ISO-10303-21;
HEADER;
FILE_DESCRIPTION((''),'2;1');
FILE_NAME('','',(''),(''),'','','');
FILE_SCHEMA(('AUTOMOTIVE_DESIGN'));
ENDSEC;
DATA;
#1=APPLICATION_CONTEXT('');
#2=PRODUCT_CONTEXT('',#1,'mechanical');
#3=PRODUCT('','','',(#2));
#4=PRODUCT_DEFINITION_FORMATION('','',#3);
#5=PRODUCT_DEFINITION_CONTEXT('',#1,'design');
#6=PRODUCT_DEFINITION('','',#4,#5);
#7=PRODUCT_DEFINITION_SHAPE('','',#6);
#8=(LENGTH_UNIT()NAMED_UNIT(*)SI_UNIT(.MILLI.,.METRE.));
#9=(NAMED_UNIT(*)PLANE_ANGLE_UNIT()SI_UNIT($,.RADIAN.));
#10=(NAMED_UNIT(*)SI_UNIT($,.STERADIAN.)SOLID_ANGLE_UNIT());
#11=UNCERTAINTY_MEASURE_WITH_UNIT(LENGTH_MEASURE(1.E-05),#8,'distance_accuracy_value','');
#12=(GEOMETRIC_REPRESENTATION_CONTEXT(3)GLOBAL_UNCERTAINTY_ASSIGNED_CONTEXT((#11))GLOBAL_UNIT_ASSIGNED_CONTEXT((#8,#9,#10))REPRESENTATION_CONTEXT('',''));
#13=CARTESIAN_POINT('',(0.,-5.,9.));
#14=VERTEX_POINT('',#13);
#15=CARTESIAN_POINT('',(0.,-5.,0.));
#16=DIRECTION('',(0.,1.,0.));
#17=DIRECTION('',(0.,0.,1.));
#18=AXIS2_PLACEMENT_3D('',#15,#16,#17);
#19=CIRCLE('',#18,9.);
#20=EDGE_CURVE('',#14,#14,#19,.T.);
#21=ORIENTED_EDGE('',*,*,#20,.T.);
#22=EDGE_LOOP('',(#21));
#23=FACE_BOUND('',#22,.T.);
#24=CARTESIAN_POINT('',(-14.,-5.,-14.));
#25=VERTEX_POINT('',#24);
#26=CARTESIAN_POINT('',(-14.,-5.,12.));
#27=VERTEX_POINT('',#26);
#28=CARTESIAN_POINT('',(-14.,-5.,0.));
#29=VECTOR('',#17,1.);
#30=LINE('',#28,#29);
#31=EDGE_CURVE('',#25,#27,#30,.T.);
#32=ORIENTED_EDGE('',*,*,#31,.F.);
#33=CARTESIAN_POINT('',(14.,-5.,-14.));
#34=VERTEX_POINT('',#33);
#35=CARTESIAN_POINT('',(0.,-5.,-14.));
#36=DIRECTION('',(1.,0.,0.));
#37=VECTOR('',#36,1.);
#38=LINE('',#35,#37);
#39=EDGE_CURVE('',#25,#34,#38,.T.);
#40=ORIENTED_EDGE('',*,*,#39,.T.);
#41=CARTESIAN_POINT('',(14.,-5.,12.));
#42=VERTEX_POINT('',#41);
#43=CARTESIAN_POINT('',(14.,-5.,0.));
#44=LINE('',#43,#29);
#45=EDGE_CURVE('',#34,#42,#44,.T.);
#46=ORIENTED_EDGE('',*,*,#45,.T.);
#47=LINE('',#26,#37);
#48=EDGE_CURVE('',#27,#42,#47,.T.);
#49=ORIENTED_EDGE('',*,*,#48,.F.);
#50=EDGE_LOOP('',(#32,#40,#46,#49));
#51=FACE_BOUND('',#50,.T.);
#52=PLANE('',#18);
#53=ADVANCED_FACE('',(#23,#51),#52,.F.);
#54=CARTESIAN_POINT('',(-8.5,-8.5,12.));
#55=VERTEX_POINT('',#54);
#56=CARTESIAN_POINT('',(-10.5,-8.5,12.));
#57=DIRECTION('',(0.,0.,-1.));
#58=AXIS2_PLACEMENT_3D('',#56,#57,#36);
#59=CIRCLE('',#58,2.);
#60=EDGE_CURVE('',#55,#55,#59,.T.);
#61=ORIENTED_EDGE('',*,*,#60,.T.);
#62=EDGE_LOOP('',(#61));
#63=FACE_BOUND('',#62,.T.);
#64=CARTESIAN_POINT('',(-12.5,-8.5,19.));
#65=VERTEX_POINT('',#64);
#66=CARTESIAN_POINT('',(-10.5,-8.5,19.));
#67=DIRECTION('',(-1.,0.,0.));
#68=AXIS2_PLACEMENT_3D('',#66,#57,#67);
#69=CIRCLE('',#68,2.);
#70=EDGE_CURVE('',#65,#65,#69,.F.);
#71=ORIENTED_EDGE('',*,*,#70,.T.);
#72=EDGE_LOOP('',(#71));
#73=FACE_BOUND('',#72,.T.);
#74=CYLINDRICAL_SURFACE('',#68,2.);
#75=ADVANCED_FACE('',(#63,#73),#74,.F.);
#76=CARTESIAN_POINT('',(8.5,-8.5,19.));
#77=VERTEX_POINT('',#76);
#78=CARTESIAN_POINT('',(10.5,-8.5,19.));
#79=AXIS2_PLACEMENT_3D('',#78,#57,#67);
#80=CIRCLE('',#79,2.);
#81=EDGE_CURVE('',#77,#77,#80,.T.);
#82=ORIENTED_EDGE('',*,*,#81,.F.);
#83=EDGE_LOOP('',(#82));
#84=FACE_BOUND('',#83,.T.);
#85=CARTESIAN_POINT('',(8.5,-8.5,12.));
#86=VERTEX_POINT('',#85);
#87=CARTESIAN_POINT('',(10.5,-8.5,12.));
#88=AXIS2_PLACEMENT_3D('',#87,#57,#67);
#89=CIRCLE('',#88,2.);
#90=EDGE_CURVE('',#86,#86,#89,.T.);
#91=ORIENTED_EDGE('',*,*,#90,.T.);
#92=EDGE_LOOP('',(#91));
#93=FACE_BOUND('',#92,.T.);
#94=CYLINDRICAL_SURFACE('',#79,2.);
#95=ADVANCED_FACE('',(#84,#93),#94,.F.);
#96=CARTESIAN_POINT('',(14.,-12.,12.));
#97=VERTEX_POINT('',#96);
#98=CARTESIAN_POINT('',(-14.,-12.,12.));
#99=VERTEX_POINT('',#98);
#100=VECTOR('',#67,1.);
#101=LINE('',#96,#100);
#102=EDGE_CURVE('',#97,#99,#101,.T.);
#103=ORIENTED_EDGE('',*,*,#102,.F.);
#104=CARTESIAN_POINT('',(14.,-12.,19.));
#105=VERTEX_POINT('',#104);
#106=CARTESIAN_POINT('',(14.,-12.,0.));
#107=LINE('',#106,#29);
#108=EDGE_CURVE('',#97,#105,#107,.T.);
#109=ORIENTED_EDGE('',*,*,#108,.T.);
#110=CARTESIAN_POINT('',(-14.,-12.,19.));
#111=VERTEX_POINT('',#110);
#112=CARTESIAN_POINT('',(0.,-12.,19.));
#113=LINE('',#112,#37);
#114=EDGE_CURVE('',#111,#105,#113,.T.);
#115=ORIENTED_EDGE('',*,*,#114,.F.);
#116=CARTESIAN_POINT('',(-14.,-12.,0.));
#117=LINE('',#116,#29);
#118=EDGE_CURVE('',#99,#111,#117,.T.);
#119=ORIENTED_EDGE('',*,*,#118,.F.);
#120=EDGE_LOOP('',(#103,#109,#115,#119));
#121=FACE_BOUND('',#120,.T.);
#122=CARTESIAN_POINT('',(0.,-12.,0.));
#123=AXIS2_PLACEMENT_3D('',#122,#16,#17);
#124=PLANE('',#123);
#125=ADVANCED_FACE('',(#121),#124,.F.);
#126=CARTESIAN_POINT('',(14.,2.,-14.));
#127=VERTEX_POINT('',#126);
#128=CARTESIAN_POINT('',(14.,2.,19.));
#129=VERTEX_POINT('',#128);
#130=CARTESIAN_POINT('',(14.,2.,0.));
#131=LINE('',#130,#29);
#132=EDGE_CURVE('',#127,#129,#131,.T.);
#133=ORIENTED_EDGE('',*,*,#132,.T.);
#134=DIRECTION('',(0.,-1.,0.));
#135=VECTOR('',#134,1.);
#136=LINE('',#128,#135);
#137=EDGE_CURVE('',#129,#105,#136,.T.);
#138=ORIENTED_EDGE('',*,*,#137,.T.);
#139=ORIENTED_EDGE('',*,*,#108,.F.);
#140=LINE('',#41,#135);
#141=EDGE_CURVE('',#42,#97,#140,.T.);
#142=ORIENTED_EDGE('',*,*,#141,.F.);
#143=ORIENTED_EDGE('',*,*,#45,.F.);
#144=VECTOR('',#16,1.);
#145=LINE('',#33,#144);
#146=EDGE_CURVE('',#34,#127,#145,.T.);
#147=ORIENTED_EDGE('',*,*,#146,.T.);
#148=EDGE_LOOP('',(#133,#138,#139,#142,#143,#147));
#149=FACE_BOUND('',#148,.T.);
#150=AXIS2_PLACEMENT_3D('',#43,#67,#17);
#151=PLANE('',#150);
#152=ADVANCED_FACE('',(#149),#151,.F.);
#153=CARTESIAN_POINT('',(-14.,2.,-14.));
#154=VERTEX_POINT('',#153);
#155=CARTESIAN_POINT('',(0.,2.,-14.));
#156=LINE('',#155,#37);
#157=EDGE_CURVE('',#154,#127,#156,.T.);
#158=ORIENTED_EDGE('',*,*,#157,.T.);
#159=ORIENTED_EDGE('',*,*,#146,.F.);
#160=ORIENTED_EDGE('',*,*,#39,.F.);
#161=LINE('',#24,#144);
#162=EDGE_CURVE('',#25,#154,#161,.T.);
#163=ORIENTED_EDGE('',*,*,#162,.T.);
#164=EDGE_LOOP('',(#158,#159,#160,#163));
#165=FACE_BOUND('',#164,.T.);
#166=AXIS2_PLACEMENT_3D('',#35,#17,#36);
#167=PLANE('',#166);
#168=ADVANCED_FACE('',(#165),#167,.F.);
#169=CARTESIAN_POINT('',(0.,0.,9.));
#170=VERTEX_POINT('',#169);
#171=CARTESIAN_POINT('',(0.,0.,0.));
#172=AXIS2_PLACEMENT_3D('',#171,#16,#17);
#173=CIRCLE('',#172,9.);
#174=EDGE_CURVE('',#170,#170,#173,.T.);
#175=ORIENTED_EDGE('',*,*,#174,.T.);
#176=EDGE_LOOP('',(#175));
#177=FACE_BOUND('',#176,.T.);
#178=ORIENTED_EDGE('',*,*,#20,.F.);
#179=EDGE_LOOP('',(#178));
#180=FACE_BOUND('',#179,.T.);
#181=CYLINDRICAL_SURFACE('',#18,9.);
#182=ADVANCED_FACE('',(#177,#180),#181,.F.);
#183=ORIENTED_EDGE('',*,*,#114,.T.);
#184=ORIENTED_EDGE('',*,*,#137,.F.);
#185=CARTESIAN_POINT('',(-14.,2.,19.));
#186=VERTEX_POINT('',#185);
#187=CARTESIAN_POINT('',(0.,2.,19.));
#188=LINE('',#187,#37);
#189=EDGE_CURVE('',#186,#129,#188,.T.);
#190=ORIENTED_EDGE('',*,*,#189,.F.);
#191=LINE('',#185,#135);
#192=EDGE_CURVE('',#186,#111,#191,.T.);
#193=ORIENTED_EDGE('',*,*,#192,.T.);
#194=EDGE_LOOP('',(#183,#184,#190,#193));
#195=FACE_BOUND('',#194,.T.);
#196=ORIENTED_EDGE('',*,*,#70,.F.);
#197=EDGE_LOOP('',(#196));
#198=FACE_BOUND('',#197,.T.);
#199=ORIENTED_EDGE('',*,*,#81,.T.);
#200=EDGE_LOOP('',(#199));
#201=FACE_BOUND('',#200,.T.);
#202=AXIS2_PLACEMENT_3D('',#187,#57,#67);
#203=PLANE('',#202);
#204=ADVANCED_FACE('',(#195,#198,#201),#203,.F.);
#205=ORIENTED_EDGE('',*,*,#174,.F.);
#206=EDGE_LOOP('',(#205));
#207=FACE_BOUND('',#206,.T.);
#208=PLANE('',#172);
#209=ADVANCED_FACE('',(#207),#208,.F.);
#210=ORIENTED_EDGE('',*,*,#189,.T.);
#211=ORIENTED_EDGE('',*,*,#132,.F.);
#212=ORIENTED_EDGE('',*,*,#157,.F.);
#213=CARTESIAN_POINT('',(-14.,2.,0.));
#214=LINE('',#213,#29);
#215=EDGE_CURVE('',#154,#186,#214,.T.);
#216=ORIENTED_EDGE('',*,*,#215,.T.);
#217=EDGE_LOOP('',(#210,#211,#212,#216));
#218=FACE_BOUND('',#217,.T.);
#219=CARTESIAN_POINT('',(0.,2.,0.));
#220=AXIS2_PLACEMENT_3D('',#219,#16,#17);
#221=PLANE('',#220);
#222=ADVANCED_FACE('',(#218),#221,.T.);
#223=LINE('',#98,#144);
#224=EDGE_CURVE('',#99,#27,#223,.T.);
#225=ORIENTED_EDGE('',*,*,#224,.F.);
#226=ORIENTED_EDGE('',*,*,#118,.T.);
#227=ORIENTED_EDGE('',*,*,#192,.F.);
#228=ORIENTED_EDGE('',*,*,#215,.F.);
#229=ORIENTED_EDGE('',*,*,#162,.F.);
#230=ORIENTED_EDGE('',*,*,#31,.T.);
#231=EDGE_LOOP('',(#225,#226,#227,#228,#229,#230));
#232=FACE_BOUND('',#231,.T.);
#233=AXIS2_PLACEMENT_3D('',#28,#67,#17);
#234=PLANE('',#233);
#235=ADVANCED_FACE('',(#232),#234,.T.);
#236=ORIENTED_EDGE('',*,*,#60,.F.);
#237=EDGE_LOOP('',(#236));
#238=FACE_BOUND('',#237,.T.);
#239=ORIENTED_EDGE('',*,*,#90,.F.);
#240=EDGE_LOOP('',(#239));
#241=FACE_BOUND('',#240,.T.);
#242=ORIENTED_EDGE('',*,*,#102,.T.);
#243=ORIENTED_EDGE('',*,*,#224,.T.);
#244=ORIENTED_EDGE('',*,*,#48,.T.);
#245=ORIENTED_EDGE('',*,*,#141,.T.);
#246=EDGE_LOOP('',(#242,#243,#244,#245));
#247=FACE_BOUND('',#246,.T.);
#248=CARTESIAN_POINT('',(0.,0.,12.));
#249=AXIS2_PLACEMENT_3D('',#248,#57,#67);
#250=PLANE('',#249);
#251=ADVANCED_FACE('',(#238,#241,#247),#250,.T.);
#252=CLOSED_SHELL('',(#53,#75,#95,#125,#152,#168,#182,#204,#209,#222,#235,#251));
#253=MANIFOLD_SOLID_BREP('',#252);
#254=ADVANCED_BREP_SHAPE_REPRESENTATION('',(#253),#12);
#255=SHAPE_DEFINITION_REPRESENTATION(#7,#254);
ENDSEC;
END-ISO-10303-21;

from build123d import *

# Parameters (mm, degrees)
SKETCH1_W           = 28
SKETCH1_H           = 28
SKETCH1_R           = 9
BOSS_EXTRUDE3_DEPTH = 5
SKETCH1_4_W         = 28
SKETCH1_4_H         = 33
BOSS_EXTRUDE4_DEPTH = 2
SKETCH1_5_W         = 28
SKETCH1_5_H         = 5
BOSS_EXTRUDE5_DEPTH = 12
SKETCH2_R           = 2
CUT_EXTRUDE1_DEPTH  = 34.526109228
BOSS_EXTRUDE6_START = 2
SKETCH2_3_W         = 28
SKETCH2_3_H         = 7
SKETCH2_3_R         = 2
BOSS_EXTRUDE6_DEPTH = 2


with BuildPart() as part:
    # Sketch1 → Boss-Extrude3 (new body)
    with BuildSketch(Plane(origin=(0, 0, 0), x_dir=(1, 0, 0), z_dir=(0, 1, 0))):
        Rectangle(SKETCH1_W, SKETCH1_H)
        Circle(SKETCH1_R, mode=Mode.SUBTRACT)
    extrude(amount=-BOSS_EXTRUDE3_DEPTH)

    # Sketch1<4> → Boss-Extrude4 (add)
    with BuildSketch(Plane(origin=(0, 0, 0), x_dir=(1, 0, 0), z_dir=(0, 1, 0))):
        with Locations((0, -2.5)):
            Rectangle(SKETCH1_4_W, SKETCH1_4_H)
    extrude(amount=BOSS_EXTRUDE4_DEPTH)

    # Sketch1<5> → Boss-Extrude5 (add)
    with BuildSketch(Plane(origin=(0, 0, 0), x_dir=(1, 0, 0), z_dir=(0, 1, 0))):
        with Locations((0, -16.5)):
            Rectangle(SKETCH1_5_W, SKETCH1_5_H)
    extrude(amount=-BOSS_EXTRUDE5_DEPTH)

    # Sketch2 → Cut-Extrude1 (cut, through all)
    with BuildSketch(Plane(origin=(0, 0, 14), x_dir=(-1, 0, 0), z_dir=(0, 0, -1))):
        with Locations((-10.5, -8.5)):
            Circle(SKETCH2_R)
        with Locations((10.5, -8.5)):
            Circle(SKETCH2_R)
    extrude(amount=-CUT_EXTRUDE1_DEPTH, mode=Mode.SUBTRACT)

    # Sketch2<3> → Boss-Extrude6 (add)
    with BuildSketch(Plane(origin=(0, 0, 14), x_dir=(-1, 0, 0), z_dir=(0, 0, -1)).offset(BOSS_EXTRUDE6_START)):
        with Locations((0, -8.5)):
            Rectangle(SKETCH2_3_W, SKETCH2_3_H)
        with Locations((-10.5, -8.5)):
            Circle(SKETCH2_3_R, mode=Mode.SUBTRACT)
        with Locations((10.5, -8.5)):
            Circle(SKETCH2_3_R, mode=Mode.SUBTRACT)
    extrude(amount=-BOSS_EXTRUDE6_DEPTH)


solid = part.part
